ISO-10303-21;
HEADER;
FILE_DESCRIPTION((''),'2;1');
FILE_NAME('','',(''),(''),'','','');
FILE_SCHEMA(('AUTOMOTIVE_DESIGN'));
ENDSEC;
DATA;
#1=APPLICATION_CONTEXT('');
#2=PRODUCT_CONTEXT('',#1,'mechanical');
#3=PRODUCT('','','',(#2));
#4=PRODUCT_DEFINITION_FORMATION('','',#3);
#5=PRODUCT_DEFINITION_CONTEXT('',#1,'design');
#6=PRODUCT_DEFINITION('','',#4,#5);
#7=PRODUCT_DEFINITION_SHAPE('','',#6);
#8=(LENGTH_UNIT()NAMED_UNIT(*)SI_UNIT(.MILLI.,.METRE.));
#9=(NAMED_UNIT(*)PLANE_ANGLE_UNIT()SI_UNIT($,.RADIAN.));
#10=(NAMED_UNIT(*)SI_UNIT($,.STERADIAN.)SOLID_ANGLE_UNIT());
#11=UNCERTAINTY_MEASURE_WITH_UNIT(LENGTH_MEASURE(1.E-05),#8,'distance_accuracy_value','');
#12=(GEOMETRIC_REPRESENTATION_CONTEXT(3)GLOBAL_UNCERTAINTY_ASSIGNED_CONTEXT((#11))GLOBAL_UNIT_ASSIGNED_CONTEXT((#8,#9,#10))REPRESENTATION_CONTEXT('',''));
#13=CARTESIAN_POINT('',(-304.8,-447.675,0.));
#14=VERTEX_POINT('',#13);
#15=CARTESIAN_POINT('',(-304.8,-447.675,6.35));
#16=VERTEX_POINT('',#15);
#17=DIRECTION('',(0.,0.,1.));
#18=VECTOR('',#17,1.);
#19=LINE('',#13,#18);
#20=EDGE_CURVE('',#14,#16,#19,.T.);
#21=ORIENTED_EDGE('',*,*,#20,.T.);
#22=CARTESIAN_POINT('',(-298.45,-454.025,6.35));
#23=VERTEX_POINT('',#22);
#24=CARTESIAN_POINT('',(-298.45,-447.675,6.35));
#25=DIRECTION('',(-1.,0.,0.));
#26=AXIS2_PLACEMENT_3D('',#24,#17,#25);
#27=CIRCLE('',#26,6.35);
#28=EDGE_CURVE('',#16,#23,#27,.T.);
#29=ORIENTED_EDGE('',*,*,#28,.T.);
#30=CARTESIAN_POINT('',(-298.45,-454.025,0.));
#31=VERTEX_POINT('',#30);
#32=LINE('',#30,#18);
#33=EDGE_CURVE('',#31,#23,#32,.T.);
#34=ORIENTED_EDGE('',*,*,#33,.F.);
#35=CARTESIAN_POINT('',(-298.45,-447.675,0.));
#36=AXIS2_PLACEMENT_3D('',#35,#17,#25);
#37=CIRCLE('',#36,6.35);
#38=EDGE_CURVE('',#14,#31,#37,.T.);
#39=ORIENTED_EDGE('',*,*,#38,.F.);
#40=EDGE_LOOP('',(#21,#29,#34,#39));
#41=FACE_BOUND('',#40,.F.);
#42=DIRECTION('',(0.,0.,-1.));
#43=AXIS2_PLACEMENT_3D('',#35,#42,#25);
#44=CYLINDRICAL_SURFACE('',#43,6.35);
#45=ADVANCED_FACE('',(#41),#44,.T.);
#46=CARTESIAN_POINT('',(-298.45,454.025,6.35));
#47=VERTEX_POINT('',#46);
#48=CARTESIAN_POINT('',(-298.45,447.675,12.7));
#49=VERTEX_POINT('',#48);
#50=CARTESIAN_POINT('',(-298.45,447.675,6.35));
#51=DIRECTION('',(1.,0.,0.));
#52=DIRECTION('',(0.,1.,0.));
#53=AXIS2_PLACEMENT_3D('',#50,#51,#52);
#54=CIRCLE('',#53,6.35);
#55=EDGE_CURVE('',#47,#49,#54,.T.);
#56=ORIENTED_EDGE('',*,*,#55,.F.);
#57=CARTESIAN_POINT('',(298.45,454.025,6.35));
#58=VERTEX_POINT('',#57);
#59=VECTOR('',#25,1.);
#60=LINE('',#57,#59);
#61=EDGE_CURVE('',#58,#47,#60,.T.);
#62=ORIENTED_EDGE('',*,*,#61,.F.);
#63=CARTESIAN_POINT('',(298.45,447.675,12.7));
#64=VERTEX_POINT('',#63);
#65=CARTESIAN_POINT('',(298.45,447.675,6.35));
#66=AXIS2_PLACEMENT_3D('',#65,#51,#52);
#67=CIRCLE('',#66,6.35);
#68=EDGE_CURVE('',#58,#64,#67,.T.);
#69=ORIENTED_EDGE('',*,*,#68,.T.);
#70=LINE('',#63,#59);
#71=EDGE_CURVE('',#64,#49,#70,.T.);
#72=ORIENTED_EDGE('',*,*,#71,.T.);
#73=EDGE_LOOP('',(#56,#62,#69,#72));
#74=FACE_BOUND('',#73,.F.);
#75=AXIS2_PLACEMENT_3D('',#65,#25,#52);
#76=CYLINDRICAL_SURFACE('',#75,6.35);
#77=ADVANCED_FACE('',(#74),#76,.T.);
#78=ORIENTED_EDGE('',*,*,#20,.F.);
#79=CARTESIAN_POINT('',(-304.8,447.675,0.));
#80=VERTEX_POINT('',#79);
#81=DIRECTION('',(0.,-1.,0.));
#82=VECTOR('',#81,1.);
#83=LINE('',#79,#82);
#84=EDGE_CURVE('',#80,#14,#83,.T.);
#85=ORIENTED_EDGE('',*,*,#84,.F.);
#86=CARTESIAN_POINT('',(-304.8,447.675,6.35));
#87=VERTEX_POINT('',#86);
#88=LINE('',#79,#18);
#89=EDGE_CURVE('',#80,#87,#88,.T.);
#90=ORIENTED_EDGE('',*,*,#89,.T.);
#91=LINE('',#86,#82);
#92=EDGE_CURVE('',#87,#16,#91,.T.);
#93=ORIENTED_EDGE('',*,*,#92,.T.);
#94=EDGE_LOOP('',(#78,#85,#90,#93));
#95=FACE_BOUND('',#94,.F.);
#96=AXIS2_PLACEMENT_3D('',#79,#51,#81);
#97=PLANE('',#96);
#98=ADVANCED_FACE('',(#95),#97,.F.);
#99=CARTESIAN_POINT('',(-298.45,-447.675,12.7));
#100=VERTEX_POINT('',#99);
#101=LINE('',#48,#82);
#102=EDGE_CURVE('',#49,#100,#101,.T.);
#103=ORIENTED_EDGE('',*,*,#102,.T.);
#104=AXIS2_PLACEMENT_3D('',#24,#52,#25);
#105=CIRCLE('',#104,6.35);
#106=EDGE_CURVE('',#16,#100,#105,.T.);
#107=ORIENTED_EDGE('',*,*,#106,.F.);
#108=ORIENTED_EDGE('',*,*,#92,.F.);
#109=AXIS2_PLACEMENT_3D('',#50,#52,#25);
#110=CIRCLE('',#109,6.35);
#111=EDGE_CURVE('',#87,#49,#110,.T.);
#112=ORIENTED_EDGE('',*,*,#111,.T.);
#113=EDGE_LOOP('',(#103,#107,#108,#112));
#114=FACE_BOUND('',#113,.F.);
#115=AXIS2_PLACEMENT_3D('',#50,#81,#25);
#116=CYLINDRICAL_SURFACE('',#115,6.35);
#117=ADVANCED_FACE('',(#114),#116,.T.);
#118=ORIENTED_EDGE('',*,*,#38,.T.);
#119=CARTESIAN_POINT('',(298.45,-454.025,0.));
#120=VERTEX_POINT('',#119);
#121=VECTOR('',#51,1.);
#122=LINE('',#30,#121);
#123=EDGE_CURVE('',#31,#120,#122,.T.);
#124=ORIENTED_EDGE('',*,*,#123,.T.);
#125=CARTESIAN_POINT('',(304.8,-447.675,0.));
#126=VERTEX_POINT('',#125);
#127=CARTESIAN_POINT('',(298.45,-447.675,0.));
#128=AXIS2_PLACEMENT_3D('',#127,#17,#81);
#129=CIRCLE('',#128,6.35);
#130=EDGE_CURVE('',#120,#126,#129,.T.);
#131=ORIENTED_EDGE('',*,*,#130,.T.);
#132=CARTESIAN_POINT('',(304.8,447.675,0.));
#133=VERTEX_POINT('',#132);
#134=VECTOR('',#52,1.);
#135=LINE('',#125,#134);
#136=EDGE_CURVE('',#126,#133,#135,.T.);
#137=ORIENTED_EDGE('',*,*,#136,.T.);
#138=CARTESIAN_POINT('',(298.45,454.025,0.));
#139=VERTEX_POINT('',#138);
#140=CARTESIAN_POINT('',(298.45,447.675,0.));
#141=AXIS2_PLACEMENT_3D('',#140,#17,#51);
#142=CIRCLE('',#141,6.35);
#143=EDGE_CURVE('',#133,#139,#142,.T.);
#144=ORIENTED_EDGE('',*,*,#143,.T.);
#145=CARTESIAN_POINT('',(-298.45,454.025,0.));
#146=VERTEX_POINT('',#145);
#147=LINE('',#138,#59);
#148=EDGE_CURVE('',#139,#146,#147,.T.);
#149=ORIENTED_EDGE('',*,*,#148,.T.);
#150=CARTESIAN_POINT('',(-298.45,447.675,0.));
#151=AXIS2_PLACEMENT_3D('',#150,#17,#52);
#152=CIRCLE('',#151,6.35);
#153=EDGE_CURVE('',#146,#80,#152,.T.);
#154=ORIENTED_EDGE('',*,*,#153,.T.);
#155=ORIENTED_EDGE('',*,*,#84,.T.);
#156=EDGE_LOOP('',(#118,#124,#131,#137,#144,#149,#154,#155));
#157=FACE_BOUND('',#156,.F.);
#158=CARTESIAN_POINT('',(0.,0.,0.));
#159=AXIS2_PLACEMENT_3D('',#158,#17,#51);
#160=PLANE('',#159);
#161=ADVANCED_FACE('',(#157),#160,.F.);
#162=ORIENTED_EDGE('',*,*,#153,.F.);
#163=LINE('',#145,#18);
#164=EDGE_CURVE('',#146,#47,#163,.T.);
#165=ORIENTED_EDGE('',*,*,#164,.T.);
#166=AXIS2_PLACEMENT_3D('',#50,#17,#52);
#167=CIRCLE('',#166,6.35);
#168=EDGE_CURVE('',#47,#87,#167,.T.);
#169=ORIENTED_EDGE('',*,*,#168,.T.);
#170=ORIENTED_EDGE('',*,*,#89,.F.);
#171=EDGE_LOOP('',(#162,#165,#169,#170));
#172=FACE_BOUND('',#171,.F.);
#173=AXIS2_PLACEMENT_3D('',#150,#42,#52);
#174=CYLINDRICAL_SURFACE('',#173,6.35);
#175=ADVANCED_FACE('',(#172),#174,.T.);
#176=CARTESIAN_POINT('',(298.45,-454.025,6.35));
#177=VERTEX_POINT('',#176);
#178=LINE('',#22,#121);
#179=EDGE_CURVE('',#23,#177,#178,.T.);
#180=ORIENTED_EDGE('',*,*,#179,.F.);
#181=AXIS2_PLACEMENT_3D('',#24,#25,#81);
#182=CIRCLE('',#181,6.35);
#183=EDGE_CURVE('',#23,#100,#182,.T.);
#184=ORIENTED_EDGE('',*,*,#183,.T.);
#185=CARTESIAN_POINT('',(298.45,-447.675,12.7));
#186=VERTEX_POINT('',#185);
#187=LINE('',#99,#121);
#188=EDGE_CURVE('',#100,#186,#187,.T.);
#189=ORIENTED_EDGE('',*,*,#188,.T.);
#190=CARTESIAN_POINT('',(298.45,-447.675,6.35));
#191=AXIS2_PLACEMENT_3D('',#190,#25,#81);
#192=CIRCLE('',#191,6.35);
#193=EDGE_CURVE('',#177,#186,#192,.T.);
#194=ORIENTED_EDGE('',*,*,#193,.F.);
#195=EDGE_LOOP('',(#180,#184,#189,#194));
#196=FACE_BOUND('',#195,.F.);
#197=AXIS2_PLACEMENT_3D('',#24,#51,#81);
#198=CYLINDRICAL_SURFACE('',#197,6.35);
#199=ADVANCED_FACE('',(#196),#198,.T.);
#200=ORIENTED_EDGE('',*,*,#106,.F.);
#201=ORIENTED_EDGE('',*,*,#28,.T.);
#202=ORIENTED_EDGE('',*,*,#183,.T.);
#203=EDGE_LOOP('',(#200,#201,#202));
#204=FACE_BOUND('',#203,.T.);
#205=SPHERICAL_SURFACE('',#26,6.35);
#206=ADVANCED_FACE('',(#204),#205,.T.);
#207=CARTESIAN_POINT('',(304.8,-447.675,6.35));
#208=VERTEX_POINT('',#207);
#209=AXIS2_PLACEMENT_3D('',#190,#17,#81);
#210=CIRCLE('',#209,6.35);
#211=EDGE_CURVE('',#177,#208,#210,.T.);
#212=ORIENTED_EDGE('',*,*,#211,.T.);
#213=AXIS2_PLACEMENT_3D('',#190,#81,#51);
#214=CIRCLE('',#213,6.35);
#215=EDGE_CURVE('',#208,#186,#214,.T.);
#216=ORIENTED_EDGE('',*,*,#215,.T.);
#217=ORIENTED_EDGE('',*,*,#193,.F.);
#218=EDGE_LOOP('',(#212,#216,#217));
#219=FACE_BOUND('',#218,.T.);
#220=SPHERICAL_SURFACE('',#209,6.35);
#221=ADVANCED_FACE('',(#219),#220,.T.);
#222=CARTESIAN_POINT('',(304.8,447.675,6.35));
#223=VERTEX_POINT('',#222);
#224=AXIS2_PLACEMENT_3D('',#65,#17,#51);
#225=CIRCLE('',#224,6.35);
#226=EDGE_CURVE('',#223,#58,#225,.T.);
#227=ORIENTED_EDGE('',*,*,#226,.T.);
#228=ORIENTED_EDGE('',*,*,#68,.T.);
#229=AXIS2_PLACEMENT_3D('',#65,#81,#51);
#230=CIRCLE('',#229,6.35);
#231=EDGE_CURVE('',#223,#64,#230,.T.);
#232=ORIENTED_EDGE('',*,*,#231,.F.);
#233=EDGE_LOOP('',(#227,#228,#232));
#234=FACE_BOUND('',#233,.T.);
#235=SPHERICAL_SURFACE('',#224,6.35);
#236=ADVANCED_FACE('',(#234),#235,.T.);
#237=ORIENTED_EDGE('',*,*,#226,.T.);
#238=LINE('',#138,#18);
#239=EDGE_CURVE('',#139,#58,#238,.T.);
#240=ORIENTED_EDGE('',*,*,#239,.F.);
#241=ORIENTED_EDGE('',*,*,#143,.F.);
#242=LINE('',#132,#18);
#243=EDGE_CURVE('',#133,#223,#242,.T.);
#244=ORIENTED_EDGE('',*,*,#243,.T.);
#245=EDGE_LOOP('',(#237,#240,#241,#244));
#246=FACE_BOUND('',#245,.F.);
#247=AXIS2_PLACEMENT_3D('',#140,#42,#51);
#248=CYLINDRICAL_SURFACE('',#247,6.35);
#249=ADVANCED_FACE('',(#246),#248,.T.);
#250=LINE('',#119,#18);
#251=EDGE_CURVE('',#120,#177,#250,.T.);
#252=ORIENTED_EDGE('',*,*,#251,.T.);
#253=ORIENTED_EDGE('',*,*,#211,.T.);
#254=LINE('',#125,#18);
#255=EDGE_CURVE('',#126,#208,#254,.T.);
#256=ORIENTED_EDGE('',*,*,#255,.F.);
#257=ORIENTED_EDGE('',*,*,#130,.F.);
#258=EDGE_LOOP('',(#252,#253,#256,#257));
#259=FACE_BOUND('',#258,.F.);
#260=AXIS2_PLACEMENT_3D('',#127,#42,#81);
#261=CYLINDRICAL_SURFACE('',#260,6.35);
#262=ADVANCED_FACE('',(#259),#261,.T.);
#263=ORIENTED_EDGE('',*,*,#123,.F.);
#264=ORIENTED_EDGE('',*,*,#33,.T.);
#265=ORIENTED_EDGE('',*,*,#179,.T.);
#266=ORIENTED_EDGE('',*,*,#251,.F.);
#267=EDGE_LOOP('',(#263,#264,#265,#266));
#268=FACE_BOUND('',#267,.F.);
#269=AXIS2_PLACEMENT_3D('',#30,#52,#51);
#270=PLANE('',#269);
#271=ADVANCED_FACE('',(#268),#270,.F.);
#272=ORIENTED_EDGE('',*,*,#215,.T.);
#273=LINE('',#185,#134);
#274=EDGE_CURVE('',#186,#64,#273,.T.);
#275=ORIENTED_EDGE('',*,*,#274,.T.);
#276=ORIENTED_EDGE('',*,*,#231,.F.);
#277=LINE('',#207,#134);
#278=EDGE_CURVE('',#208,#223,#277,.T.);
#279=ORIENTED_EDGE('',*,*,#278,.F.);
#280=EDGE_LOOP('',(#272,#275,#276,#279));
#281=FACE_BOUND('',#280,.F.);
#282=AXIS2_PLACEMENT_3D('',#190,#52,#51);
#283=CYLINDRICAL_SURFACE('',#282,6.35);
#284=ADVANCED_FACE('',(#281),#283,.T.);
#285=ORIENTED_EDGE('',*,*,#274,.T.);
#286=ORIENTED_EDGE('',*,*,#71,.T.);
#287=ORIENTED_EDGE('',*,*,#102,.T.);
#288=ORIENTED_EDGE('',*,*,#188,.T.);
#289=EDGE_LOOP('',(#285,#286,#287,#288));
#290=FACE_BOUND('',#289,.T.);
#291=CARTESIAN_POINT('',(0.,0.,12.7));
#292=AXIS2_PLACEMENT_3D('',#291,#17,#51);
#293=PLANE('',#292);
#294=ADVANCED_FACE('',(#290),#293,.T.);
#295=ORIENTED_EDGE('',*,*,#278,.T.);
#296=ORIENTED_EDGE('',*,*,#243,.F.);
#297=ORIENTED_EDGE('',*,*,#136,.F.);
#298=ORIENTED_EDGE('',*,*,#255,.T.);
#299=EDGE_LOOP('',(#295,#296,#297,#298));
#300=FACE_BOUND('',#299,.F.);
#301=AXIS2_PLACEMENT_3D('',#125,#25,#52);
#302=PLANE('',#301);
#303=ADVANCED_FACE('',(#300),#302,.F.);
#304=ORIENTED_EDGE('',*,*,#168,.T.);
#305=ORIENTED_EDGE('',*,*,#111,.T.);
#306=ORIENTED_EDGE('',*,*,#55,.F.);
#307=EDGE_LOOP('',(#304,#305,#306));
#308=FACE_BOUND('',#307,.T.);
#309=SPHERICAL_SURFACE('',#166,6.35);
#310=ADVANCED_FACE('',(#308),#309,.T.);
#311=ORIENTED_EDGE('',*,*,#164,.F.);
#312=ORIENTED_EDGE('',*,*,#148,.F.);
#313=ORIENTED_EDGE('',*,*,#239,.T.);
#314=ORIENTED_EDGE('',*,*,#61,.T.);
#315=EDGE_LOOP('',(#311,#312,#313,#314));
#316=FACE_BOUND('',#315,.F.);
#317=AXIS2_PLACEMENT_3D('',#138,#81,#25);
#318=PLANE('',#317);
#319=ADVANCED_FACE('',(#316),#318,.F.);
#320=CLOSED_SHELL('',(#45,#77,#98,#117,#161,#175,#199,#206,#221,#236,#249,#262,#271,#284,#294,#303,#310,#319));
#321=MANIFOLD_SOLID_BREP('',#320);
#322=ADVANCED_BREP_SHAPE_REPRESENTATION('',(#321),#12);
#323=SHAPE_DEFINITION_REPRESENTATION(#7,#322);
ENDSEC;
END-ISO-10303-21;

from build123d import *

# Parameters (mm, degrees)
F1_DEPTH = 12.7
F2_R     = 6.35


with BuildPart() as f1:
    # F0 (on Top) → F1 (new body)
    with BuildSketch(Plane.XY):
        with BuildLine():
            Line((-298.45, -454.025), (298.45, -454.025))
            ThreePointArc((298.45, -454.025), (302.9401280605, -452.1651280605), (304.8, -447.675))
            Line((304.8, -447.675), (304.8, 447.675))
            ThreePointArc((304.8, 447.675), (302.9401280605, 452.1651280605), (298.45, 454.025))
            Line((298.45, 454.025), (-298.45, 454.025))
            ThreePointArc((-298.45, 454.025), (-302.9401280605, 452.1651280605), (-304.8, 447.675))
            Line((-304.8, 447.675), (-304.8, -447.675))
            ThreePointArc((-304.8, -447.675), (-302.9401280605, -452.1651280605), (-298.45, -454.025))
        make_face()
    extrude(amount=F1_DEPTH)

    # F2
    f2_edges = [f1.edges().sort_by_distance(p)[0] for p in [
        (-304.8, 0, 12.7),
    ]]
    fillet(f2_edges, radius=F2_R)


solid = f1.part
